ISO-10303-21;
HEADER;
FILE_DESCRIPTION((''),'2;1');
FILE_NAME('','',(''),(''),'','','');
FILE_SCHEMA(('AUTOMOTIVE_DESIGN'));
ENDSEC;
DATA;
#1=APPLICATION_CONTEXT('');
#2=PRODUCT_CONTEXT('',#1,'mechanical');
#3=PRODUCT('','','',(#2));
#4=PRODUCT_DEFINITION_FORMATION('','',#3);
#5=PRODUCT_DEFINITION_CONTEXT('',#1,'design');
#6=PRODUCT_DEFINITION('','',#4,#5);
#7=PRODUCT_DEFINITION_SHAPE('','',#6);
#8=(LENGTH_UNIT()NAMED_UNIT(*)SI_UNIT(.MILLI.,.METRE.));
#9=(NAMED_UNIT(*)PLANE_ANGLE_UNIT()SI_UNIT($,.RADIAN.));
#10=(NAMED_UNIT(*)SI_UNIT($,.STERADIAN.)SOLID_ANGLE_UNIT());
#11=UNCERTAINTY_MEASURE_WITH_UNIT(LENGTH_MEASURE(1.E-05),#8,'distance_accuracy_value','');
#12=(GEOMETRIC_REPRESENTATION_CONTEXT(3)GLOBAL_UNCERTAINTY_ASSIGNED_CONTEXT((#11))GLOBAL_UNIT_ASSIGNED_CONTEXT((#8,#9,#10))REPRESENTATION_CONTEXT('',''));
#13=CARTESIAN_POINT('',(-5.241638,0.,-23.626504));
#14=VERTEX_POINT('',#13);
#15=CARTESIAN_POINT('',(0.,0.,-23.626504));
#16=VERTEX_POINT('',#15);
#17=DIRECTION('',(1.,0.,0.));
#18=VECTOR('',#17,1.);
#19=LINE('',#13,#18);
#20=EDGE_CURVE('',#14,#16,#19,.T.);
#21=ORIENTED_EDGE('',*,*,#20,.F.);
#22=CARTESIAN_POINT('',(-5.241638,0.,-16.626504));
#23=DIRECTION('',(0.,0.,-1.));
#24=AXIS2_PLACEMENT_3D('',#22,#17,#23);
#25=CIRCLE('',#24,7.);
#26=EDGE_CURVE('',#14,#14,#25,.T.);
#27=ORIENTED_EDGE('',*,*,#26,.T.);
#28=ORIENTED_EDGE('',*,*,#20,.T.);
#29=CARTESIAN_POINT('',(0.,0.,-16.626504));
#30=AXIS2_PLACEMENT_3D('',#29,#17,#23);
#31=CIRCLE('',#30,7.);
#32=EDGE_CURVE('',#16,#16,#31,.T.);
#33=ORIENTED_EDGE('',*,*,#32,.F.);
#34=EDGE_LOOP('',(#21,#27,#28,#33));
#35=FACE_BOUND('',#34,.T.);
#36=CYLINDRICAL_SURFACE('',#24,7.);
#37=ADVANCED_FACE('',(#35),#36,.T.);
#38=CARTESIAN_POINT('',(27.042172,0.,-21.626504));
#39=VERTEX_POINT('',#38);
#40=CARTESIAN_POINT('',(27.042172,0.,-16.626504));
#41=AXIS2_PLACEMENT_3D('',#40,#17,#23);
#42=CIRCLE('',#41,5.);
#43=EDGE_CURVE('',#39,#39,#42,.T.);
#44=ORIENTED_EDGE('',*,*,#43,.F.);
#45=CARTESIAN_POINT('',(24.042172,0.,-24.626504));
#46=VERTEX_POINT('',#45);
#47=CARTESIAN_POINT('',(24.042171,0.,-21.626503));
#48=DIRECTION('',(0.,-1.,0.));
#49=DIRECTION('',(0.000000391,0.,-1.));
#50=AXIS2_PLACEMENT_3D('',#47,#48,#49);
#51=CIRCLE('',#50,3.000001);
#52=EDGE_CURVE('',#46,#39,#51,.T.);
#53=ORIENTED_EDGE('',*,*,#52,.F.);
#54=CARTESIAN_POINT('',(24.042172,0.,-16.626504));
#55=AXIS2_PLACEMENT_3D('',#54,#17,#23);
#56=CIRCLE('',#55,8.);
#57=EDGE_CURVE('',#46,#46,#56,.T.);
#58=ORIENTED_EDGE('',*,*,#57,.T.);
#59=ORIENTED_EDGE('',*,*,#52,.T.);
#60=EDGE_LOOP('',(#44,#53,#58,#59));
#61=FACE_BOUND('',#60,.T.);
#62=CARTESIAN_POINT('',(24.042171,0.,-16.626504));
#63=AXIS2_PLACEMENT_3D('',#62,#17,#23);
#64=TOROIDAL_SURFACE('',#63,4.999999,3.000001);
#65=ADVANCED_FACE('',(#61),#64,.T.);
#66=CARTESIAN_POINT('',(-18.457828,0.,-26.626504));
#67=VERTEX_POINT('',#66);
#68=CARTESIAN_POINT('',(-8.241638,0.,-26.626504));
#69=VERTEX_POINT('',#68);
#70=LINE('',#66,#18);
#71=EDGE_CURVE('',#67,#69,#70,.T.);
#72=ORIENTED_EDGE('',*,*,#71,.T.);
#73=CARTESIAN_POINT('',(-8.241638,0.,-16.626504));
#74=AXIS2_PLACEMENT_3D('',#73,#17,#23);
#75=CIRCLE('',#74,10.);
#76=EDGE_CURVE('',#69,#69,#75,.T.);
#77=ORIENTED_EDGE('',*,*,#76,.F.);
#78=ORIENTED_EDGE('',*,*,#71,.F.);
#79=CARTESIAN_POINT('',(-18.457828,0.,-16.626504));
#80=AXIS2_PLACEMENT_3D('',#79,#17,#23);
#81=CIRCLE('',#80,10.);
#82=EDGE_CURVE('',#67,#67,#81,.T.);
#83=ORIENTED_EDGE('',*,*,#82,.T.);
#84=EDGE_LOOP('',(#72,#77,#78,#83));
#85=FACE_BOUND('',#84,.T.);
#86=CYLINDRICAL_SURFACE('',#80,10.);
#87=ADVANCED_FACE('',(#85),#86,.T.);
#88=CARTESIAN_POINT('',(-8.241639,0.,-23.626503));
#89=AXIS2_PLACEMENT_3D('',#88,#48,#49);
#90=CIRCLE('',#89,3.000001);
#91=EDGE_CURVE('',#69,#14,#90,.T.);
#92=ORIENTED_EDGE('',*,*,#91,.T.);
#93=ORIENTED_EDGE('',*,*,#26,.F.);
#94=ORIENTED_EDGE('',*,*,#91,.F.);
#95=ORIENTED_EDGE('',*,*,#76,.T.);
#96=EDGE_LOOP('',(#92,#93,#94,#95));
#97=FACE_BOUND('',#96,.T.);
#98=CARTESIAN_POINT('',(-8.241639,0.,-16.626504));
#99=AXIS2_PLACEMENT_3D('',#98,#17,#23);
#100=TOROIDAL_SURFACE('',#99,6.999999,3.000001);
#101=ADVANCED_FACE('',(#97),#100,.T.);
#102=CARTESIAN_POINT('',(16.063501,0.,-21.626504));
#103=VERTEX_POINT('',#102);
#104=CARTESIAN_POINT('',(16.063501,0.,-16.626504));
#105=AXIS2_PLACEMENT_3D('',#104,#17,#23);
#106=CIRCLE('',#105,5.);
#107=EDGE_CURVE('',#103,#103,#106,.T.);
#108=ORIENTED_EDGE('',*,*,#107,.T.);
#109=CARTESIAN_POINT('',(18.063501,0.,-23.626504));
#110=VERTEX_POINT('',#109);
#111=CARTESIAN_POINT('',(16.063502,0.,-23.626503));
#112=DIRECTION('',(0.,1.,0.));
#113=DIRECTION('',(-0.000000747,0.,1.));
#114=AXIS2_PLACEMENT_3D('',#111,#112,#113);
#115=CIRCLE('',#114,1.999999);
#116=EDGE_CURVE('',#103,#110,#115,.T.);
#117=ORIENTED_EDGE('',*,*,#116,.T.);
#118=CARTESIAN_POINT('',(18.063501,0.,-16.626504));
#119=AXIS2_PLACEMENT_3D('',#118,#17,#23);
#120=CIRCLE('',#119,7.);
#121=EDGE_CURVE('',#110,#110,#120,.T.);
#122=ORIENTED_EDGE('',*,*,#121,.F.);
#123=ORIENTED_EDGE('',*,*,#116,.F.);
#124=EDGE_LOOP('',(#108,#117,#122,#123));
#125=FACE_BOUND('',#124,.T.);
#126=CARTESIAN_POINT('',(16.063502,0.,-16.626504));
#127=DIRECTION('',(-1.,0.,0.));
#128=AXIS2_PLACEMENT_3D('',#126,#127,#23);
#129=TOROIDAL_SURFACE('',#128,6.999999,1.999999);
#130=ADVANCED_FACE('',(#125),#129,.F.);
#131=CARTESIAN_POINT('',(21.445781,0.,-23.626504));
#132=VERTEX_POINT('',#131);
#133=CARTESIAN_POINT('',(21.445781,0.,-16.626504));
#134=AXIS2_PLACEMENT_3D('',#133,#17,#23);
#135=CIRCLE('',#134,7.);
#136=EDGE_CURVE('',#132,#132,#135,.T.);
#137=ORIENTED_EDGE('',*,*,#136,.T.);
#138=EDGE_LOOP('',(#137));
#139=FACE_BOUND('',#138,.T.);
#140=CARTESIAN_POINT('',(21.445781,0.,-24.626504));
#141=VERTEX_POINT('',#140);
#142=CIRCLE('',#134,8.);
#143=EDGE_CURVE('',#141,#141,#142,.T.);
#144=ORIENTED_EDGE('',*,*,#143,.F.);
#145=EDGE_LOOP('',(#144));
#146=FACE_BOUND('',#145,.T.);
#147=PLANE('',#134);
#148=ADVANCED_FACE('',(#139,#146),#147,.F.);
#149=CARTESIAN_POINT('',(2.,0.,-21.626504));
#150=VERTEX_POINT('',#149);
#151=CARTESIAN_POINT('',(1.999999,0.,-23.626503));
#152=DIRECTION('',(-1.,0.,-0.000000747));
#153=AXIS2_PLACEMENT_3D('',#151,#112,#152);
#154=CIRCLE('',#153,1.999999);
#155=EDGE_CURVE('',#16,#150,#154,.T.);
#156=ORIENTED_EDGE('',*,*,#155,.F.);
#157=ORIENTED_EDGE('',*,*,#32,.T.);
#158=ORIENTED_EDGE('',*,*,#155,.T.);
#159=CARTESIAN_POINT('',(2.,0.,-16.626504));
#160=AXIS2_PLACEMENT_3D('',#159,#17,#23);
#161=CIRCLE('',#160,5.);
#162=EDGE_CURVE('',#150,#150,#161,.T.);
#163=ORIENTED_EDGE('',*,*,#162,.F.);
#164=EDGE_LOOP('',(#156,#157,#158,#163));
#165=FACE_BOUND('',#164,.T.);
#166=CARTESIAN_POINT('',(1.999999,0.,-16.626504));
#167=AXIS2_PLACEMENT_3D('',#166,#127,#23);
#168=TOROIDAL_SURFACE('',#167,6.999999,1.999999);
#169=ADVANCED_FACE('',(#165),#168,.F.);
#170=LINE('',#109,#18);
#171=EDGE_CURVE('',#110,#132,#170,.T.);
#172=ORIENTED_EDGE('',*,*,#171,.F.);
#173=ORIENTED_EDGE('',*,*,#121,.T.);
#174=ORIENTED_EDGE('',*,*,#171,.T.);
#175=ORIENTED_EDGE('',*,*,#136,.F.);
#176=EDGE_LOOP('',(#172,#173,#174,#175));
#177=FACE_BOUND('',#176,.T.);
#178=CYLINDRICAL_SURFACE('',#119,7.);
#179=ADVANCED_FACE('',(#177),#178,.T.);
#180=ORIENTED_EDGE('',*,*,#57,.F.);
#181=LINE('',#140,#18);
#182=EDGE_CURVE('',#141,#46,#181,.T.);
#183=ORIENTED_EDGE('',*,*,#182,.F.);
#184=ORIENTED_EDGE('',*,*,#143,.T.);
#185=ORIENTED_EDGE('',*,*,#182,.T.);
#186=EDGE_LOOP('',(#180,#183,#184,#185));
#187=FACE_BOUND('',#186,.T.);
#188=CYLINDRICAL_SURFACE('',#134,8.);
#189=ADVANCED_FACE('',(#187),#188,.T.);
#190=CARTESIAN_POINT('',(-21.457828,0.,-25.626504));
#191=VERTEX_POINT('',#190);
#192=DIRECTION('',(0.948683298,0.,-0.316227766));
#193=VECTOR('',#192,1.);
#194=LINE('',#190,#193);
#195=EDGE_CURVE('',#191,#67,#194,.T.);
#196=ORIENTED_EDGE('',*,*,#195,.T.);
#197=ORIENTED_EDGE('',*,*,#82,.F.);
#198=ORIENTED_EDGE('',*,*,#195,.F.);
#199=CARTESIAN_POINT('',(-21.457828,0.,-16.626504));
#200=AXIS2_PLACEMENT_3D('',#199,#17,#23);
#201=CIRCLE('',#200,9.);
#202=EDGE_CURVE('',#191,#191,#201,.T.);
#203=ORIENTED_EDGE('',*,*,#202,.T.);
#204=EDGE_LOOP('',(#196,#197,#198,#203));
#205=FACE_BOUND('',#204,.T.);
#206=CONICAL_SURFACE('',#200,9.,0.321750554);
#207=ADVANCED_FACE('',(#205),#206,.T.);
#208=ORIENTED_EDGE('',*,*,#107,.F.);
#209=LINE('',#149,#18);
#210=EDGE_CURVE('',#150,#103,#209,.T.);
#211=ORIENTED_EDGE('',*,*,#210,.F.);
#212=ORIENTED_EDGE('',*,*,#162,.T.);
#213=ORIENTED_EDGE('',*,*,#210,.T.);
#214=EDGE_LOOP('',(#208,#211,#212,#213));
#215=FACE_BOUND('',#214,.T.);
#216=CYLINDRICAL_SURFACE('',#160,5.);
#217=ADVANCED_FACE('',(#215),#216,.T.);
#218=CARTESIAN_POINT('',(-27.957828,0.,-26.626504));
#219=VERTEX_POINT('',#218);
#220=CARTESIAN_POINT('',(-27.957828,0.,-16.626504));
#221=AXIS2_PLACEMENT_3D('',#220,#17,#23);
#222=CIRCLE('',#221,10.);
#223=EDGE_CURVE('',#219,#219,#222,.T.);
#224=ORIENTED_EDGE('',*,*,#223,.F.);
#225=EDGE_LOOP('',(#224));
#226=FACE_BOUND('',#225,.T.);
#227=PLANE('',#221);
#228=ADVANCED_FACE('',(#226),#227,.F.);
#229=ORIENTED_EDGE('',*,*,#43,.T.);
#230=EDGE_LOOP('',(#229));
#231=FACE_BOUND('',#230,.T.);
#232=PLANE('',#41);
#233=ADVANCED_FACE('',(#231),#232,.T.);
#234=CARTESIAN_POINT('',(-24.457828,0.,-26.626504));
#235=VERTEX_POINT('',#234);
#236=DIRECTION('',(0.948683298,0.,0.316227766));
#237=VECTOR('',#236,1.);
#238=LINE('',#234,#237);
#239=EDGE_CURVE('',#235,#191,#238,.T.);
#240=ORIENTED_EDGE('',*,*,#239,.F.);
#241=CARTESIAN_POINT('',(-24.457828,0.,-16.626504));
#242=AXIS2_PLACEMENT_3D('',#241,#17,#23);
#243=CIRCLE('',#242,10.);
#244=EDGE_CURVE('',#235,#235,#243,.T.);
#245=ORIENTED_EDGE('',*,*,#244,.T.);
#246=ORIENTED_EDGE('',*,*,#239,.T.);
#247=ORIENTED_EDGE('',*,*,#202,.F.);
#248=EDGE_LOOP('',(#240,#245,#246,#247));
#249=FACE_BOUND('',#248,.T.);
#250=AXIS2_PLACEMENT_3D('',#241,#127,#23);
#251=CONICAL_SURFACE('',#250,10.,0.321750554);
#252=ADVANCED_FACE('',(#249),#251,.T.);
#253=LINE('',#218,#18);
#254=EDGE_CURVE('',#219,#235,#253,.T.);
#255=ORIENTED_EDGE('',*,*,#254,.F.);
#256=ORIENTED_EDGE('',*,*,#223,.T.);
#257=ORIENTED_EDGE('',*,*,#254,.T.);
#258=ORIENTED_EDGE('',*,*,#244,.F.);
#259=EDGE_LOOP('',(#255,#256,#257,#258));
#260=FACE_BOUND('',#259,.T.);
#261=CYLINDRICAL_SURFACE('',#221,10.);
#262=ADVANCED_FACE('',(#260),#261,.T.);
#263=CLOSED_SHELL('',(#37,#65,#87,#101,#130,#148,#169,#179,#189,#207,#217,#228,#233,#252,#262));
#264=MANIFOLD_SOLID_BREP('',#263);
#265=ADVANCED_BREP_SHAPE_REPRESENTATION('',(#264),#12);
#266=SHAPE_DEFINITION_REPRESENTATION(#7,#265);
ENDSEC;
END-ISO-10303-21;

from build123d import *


with BuildPart() as f1:
    # F0 (on Front) → F1 (revolve)
    with BuildSketch(Plane.XZ):
        with BuildLine():
            Line((27.042172, -16.626504), (-27.957828, -16.626504))
            Line((-27.957828, -16.626504), (-27.957828, -26.626504))
            Line((-27.957828, -26.626504), (-24.457828, -26.626504))
            Line((-24.457828, -26.626504), (-21.457828, -25.626504))
            Line((-21.457828, -25.626504), (-18.457828, -26.626504))
            Line((-18.457828, -26.626504), (-8.241638, -26.626504))
            ThreePointArc((-8.241638, -26.626504), (-6.120318, -25.747824), (-5.241638, -23.626504))
            Line((-5.241638, -23.626504), (0, -23.626504))
            ThreePointArc((0, -23.626504), (0.585786, -22.21229), (2, -21.626504))
            Line((2, -21.626504), (16.063501, -21.626504))
            ThreePointArc((16.063501, -21.626504), (17.477715, -22.21229), (18.063501, -23.626504))
            Line((18.063501, -23.626504), (21.445781, -23.626504))
            Line((21.445781, -23.626504), (21.445781, -24.626504))
            Line((21.445781, -24.626504), (24.042172, -24.626504))
            ThreePointArc((24.042172, -24.626504), (26.163492, -23.747824), (27.042172, -21.626504))
            Line((27.042172, -21.626504), (27.042172, -16.626504))
        make_face()
    revolve(axis=Axis((-0.481928, 0, -16.626504), (1, 0, 0)))


solid = f1.part
